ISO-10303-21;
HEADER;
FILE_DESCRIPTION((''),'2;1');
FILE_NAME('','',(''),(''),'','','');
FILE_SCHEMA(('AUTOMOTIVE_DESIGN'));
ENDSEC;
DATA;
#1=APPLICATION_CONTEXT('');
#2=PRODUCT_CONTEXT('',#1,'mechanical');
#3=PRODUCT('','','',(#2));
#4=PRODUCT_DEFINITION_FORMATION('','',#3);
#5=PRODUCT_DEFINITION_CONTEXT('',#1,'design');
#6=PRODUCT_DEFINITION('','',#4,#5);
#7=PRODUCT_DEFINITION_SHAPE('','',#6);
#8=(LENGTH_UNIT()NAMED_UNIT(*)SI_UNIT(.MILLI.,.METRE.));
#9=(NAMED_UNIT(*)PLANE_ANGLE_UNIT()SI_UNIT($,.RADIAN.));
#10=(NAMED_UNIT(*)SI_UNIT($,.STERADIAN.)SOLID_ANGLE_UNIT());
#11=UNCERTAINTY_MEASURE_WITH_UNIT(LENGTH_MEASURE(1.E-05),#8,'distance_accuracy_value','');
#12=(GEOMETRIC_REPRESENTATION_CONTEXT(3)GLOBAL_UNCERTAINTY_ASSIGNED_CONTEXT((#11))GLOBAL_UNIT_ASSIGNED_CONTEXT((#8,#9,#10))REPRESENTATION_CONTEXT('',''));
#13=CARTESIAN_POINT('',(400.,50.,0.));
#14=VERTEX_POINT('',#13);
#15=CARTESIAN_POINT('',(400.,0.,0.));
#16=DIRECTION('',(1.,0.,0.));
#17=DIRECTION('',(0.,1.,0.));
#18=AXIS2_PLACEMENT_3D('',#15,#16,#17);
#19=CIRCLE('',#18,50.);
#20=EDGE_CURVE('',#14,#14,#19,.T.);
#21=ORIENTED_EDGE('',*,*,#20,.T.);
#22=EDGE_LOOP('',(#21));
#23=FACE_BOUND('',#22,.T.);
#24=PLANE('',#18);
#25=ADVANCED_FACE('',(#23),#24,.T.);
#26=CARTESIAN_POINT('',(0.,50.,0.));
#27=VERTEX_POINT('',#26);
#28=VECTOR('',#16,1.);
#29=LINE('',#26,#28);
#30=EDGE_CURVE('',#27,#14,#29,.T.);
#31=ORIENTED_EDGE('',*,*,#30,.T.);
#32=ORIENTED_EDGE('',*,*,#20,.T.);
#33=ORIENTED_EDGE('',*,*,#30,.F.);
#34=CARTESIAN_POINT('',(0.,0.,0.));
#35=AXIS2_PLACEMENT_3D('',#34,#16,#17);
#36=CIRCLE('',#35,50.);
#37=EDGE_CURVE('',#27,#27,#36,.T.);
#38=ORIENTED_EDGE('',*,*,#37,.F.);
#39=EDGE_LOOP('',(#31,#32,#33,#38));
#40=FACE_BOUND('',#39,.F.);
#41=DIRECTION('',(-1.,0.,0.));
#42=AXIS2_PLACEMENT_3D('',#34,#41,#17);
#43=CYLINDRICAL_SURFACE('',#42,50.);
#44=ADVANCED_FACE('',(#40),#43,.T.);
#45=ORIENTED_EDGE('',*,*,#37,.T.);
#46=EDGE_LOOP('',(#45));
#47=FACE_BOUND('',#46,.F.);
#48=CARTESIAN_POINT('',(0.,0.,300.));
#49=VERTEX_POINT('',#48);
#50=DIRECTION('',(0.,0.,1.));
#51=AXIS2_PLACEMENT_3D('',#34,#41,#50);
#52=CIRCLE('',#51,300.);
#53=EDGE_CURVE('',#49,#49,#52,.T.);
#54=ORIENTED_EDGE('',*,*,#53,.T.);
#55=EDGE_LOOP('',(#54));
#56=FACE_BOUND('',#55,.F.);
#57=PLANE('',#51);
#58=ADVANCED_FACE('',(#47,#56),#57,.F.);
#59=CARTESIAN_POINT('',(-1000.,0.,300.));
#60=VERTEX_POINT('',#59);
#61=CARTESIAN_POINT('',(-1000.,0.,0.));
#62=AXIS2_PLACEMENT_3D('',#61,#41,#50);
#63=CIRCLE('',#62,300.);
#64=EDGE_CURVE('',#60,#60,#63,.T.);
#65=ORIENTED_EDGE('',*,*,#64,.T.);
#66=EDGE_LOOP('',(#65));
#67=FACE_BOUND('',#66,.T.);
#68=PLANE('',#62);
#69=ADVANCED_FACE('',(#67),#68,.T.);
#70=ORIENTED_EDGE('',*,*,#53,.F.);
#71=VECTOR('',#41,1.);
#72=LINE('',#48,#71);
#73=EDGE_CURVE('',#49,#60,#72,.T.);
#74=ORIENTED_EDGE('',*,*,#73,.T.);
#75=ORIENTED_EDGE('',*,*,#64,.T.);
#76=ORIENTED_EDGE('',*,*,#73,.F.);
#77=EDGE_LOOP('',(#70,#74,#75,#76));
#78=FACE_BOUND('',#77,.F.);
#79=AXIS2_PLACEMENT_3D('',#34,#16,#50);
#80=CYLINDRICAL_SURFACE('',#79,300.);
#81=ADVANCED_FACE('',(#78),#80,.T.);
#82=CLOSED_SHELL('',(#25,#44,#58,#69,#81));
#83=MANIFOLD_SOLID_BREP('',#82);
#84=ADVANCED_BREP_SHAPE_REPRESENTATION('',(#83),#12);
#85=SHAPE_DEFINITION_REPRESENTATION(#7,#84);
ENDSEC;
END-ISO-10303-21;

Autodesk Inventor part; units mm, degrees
ref_plane "YZ Plane" through (0, 0, 0) normal (1, 0, 0) x (0, 1, 0)
ref_plane "XZ Plane" through (0, 0, 0) normal (0, 1, 0) x (-1, 0, 0)
ref_plane "XY Plane" through (0, 0, 0) normal (0, 0, 1) x (1, 0, 0)
sketch "Sketch1" plane through (0, 0, 0) normal (1, 0, 0) x (0, 1, 0)
  circle A0 centre (0, 0) radius 50
  dimension "d0" = 100
extrude "Extrusion1" add sketch "Sketch1" along normal blind 400
sketch "Sketch2" plane through (0, 0, 0) normal (-1, 0, 0) x (0, 0, 1)
  circle A0 centre (0, 0) radius 300
  dimension "d3" = 600
extrude "Extrusion2" add sketch "Sketch2" along normal blind 1000
properties part number "base 2 articulated"
